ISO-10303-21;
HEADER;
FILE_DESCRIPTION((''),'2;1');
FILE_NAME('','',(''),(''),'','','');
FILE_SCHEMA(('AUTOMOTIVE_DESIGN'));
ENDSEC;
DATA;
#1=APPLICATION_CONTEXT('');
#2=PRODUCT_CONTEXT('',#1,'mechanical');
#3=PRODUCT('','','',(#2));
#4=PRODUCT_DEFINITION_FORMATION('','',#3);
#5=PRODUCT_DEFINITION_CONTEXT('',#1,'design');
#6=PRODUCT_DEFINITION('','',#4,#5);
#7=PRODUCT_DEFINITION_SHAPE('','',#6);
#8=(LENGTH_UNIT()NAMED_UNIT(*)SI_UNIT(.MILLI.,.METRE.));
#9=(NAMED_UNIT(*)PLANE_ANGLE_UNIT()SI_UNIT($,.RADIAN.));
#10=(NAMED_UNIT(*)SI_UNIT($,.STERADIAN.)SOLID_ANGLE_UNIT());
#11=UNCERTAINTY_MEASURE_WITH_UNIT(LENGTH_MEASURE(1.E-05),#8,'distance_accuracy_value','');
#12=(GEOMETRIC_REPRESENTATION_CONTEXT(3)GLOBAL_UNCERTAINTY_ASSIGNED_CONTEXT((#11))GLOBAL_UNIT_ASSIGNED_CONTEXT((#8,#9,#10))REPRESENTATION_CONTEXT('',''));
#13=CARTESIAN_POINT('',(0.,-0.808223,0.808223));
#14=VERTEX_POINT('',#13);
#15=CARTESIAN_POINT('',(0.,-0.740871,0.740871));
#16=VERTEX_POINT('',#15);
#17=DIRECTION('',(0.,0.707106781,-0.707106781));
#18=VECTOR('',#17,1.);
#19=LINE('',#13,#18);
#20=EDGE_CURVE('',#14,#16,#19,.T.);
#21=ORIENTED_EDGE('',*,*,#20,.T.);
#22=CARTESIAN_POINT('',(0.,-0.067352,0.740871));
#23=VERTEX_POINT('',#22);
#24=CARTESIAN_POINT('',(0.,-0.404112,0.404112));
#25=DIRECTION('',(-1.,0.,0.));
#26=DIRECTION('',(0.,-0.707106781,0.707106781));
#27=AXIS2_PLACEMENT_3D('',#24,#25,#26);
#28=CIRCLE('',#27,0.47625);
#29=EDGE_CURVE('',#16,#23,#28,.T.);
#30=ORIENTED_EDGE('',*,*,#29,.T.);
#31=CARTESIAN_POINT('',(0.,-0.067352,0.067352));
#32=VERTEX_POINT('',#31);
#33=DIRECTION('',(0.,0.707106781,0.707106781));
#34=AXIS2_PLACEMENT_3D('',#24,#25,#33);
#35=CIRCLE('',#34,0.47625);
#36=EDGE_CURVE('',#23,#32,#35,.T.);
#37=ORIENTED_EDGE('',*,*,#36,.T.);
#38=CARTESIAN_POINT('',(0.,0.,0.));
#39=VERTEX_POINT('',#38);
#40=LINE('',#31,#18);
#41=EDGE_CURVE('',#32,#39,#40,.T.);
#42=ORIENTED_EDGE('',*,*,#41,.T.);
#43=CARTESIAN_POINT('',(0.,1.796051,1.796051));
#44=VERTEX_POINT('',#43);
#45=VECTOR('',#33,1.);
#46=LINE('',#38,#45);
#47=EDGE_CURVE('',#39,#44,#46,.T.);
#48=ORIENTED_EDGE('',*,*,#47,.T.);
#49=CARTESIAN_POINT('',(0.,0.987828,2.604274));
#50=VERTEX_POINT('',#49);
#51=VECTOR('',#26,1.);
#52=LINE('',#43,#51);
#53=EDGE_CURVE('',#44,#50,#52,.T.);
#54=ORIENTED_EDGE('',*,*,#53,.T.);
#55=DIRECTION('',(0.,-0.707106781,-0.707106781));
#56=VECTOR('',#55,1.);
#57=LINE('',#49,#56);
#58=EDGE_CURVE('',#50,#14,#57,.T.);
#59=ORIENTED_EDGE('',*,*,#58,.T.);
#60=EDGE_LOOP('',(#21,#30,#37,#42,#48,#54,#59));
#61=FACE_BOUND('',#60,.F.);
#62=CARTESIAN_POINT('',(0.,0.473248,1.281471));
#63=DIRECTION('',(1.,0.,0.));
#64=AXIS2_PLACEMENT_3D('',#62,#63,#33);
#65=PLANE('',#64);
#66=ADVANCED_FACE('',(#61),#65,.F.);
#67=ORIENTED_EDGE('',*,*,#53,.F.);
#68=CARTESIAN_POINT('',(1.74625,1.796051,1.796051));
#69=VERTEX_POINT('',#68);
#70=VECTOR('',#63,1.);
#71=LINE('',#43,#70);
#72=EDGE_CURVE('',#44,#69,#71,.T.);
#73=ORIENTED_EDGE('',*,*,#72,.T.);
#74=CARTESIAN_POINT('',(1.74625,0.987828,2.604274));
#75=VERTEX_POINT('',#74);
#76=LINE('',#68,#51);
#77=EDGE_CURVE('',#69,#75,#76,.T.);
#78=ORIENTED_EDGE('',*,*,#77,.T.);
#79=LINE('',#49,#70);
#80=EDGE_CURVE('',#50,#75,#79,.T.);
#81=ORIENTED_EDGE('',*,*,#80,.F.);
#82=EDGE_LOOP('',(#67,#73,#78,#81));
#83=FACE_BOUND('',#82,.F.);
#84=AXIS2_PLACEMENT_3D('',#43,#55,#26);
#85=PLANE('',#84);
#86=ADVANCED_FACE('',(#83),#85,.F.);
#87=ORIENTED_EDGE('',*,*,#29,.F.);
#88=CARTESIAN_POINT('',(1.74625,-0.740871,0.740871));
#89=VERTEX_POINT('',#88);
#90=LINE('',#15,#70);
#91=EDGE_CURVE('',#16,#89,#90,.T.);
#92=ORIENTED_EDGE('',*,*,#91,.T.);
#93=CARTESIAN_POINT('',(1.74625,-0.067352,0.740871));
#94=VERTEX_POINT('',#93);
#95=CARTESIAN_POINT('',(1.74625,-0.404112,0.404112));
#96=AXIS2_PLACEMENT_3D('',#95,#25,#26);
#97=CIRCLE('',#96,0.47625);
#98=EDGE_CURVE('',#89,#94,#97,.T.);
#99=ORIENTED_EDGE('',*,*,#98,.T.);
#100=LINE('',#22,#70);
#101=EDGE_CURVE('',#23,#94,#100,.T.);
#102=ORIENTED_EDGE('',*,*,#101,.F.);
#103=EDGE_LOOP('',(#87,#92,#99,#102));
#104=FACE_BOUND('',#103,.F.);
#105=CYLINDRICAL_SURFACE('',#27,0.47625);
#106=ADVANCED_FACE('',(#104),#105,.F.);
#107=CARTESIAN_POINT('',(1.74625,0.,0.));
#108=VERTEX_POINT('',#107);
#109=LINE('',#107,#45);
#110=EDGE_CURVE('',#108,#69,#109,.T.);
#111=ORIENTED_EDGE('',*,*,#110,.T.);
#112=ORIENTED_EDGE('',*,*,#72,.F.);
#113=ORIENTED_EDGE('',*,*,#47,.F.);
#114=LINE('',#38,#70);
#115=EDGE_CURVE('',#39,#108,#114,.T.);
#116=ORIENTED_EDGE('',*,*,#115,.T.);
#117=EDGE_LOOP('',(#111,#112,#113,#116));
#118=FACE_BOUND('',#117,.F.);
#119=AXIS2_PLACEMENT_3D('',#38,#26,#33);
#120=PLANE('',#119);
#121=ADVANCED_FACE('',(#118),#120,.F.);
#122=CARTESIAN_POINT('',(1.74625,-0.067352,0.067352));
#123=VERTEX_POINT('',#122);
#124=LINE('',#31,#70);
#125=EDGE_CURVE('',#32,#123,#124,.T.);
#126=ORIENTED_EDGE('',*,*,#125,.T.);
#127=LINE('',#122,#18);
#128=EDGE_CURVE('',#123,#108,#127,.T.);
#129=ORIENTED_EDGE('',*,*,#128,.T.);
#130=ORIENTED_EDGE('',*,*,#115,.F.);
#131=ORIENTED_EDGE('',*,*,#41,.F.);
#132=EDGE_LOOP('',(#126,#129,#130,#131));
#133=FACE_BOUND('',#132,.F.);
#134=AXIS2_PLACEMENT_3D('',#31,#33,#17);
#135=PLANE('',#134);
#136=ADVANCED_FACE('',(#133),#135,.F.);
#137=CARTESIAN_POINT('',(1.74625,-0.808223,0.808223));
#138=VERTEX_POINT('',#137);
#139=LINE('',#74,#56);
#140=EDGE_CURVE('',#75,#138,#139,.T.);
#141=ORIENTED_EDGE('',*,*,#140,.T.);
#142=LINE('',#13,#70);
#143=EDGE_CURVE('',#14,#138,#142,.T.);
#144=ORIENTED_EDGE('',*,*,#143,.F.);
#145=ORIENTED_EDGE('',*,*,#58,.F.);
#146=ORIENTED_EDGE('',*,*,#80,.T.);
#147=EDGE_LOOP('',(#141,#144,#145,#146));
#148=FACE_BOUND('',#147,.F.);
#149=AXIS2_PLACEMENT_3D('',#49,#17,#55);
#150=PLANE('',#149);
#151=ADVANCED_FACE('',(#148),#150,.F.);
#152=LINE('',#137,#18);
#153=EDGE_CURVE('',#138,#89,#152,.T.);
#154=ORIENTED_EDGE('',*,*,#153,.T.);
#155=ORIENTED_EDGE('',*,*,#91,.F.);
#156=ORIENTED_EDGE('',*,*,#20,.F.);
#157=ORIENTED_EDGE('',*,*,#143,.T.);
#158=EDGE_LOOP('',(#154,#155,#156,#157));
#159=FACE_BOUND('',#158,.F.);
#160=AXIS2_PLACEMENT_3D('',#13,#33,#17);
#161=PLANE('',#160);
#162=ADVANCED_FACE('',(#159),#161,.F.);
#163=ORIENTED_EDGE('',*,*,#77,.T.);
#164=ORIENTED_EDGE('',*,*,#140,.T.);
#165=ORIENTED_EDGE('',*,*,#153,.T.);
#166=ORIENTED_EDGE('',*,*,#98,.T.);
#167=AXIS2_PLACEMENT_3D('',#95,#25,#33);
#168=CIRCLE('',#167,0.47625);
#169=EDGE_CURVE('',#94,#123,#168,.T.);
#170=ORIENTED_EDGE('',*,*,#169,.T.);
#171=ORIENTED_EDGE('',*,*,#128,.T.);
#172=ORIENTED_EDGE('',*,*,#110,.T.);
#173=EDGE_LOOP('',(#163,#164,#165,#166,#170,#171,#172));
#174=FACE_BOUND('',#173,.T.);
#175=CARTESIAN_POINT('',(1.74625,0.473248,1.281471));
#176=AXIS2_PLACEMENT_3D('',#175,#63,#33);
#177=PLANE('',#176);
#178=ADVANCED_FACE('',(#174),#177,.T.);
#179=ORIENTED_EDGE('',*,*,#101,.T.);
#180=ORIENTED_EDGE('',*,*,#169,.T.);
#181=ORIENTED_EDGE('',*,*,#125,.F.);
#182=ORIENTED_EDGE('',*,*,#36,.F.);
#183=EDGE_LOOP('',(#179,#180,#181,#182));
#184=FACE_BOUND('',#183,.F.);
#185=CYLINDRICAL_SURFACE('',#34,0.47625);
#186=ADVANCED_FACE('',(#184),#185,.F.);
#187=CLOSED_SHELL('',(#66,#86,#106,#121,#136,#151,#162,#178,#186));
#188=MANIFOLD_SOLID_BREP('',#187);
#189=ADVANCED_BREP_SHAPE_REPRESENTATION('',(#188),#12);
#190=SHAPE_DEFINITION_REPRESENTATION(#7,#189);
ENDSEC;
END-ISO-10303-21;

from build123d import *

# Parameters (mm, degrees)
F1_DEPTH = 1.74625
F2_ANGLE = -45


with BuildPart() as f1:
    # F0 (on Right) → F1 (new body)
    with BuildSketch(Plane.YZ):
        with BuildLine():
            Line((0, 0.09525), (0, 0))
            Line((0, 0), (2.54, 0))
            Line((2.54, 0), (2.54, 1.143))
            Line((2.54, 1.143), (0, 1.143))
            Line((0, 1.143), (0, 1.04775))
            ThreePointArc((0, 1.04775), (0.3367596045, 0.9082596045), (0.47625, 0.5715))
            ThreePointArc((0.47625, 0.5715), (0.3367596045, 0.2347403955), (0, 0.09525))
        make_face()
    extrude(amount=F1_DEPTH)


with BuildPart() as f1_1:
    # F2: moved
    add(f1.part.rotate(Axis((0.873125, 0, 0), (-1, 0, 0)), F2_ANGLE))


solid = f1_1.part
